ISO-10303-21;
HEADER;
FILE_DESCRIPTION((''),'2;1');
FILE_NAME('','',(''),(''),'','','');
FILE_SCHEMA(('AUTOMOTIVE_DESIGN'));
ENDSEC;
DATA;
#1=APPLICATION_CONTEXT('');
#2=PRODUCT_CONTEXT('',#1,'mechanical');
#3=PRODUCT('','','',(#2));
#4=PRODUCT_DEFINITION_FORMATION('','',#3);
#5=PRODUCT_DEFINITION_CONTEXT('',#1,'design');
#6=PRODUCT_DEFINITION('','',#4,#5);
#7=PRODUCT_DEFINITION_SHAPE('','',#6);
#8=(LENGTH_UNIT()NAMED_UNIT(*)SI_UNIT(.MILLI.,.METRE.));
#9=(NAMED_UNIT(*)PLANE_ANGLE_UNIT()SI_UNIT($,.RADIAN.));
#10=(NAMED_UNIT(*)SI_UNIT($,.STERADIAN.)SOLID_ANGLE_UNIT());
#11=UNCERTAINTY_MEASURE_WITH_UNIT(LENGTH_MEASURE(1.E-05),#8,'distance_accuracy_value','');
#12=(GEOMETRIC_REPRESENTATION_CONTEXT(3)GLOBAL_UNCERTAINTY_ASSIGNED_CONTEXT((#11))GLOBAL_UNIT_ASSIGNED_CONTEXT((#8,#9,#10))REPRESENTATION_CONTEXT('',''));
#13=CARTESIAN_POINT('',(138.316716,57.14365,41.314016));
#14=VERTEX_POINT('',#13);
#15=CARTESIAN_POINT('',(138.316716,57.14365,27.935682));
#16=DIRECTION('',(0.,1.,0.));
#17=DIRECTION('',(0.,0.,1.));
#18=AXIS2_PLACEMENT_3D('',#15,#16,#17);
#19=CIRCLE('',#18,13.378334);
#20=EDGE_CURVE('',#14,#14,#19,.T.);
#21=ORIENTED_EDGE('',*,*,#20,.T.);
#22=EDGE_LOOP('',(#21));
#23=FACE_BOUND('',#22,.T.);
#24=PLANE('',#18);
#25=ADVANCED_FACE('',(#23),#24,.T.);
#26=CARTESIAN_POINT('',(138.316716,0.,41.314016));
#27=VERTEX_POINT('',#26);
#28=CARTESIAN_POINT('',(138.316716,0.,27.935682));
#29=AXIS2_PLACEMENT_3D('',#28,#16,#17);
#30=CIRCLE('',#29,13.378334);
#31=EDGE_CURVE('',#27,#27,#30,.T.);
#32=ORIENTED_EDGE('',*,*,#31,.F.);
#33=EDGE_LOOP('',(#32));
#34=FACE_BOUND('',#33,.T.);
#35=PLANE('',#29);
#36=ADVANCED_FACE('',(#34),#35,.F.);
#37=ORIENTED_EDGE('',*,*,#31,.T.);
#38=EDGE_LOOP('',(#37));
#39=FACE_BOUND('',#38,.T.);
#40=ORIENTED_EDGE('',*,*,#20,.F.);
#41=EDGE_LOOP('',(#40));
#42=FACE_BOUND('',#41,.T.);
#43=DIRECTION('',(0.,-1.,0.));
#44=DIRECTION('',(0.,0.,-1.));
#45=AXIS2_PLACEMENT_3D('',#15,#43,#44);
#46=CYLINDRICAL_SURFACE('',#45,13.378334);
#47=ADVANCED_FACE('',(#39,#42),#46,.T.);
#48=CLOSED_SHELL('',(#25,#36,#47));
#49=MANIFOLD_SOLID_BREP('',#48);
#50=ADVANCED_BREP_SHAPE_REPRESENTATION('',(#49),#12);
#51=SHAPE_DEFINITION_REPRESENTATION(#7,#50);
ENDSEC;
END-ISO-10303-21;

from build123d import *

# Parameters (mm, degrees)
SKETCH1_R           = 13.378334101
BOSS_EXTRUDE1_DEPTH = 57.14365


with BuildPart() as part:
    # Sketch1 → Boss-Extrude1 (new body)
    with BuildSketch(Plane(origin=(0, 0, 0), x_dir=(1, 0, 0), z_dir=(0, 1, 0))):
        with Locations(Location((138.316716, -27.935682, 0), (0, 0, 270))):
            Circle(SKETCH1_R)
    extrude(amount=BOSS_EXTRUDE1_DEPTH)


solid = part.part
